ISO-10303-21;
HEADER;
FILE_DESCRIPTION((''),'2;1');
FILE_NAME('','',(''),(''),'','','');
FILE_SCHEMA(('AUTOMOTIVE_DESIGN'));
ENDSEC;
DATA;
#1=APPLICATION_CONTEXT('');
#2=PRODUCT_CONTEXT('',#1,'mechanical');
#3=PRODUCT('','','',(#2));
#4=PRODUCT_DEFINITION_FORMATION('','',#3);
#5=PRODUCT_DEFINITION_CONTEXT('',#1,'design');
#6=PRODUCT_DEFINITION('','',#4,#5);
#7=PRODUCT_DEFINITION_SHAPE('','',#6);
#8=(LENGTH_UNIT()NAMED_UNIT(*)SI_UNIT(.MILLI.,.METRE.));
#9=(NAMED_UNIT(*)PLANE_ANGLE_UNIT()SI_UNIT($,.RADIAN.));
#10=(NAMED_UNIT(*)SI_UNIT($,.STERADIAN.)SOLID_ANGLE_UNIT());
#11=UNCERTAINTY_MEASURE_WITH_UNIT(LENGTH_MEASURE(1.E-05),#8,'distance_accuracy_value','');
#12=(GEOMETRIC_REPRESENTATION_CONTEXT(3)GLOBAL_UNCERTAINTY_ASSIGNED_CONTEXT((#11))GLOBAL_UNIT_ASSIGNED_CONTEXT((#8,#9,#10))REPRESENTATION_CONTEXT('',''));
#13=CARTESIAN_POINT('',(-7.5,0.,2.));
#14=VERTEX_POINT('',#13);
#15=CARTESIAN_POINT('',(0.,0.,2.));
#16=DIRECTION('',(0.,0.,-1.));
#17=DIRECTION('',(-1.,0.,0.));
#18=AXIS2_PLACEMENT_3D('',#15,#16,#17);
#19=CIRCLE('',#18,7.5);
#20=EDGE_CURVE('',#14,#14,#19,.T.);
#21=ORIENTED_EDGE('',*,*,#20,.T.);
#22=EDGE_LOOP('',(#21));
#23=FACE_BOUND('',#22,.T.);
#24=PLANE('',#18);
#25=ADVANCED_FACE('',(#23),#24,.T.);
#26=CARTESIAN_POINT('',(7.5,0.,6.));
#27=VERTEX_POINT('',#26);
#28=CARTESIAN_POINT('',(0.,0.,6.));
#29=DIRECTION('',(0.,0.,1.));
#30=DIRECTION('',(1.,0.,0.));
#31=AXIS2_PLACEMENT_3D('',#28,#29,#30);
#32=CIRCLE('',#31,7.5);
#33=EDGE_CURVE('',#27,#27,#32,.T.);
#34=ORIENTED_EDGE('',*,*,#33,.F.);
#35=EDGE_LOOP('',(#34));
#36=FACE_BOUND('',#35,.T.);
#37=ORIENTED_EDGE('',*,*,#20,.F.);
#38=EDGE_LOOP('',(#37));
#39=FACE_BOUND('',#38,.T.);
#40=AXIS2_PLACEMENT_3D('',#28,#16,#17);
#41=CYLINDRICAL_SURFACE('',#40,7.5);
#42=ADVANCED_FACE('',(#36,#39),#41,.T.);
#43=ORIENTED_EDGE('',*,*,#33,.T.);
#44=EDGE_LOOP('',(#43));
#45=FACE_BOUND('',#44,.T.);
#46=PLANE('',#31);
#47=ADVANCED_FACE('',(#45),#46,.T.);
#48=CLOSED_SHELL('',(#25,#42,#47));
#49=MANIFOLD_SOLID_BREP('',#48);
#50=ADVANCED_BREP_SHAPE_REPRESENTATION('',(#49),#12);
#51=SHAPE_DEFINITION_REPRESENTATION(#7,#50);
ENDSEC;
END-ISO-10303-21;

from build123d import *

# Parameters (mm, degrees)
CROQUIS1_R              = 15
SALIENTE_EXTRUIR3_DEPTH = 2
CROQUIS3_R              = 7.5
SALIENTE_EXTRUIR4_DEPTH = 4
CROQUIS4_R              = 15
CORTAR_EXTRUIR1_DEPTH   = 2


with BuildPart() as part:
    # Croquis1 → Saliente-Extruir3 (new body)
    with BuildSketch(Plane.XY):
        Circle(CROQUIS1_R)
    extrude(amount=SALIENTE_EXTRUIR3_DEPTH)

    # Croquis3 → Saliente-Extruir4 (add)
    with BuildSketch(Plane.XY.offset(2)):
        Circle(CROQUIS3_R)
    extrude(amount=SALIENTE_EXTRUIR4_DEPTH)

    # Croquis4 → Cortar-Extruir1 (cut)
    with BuildSketch(Plane(origin=(0, 0, 0), x_dir=(-1, 0, 0), z_dir=(0, 0, -1))):
        Circle(CROQUIS4_R)
    extrude(amount=-CORTAR_EXTRUIR1_DEPTH, mode=Mode.SUBTRACT)


solid = part.part
